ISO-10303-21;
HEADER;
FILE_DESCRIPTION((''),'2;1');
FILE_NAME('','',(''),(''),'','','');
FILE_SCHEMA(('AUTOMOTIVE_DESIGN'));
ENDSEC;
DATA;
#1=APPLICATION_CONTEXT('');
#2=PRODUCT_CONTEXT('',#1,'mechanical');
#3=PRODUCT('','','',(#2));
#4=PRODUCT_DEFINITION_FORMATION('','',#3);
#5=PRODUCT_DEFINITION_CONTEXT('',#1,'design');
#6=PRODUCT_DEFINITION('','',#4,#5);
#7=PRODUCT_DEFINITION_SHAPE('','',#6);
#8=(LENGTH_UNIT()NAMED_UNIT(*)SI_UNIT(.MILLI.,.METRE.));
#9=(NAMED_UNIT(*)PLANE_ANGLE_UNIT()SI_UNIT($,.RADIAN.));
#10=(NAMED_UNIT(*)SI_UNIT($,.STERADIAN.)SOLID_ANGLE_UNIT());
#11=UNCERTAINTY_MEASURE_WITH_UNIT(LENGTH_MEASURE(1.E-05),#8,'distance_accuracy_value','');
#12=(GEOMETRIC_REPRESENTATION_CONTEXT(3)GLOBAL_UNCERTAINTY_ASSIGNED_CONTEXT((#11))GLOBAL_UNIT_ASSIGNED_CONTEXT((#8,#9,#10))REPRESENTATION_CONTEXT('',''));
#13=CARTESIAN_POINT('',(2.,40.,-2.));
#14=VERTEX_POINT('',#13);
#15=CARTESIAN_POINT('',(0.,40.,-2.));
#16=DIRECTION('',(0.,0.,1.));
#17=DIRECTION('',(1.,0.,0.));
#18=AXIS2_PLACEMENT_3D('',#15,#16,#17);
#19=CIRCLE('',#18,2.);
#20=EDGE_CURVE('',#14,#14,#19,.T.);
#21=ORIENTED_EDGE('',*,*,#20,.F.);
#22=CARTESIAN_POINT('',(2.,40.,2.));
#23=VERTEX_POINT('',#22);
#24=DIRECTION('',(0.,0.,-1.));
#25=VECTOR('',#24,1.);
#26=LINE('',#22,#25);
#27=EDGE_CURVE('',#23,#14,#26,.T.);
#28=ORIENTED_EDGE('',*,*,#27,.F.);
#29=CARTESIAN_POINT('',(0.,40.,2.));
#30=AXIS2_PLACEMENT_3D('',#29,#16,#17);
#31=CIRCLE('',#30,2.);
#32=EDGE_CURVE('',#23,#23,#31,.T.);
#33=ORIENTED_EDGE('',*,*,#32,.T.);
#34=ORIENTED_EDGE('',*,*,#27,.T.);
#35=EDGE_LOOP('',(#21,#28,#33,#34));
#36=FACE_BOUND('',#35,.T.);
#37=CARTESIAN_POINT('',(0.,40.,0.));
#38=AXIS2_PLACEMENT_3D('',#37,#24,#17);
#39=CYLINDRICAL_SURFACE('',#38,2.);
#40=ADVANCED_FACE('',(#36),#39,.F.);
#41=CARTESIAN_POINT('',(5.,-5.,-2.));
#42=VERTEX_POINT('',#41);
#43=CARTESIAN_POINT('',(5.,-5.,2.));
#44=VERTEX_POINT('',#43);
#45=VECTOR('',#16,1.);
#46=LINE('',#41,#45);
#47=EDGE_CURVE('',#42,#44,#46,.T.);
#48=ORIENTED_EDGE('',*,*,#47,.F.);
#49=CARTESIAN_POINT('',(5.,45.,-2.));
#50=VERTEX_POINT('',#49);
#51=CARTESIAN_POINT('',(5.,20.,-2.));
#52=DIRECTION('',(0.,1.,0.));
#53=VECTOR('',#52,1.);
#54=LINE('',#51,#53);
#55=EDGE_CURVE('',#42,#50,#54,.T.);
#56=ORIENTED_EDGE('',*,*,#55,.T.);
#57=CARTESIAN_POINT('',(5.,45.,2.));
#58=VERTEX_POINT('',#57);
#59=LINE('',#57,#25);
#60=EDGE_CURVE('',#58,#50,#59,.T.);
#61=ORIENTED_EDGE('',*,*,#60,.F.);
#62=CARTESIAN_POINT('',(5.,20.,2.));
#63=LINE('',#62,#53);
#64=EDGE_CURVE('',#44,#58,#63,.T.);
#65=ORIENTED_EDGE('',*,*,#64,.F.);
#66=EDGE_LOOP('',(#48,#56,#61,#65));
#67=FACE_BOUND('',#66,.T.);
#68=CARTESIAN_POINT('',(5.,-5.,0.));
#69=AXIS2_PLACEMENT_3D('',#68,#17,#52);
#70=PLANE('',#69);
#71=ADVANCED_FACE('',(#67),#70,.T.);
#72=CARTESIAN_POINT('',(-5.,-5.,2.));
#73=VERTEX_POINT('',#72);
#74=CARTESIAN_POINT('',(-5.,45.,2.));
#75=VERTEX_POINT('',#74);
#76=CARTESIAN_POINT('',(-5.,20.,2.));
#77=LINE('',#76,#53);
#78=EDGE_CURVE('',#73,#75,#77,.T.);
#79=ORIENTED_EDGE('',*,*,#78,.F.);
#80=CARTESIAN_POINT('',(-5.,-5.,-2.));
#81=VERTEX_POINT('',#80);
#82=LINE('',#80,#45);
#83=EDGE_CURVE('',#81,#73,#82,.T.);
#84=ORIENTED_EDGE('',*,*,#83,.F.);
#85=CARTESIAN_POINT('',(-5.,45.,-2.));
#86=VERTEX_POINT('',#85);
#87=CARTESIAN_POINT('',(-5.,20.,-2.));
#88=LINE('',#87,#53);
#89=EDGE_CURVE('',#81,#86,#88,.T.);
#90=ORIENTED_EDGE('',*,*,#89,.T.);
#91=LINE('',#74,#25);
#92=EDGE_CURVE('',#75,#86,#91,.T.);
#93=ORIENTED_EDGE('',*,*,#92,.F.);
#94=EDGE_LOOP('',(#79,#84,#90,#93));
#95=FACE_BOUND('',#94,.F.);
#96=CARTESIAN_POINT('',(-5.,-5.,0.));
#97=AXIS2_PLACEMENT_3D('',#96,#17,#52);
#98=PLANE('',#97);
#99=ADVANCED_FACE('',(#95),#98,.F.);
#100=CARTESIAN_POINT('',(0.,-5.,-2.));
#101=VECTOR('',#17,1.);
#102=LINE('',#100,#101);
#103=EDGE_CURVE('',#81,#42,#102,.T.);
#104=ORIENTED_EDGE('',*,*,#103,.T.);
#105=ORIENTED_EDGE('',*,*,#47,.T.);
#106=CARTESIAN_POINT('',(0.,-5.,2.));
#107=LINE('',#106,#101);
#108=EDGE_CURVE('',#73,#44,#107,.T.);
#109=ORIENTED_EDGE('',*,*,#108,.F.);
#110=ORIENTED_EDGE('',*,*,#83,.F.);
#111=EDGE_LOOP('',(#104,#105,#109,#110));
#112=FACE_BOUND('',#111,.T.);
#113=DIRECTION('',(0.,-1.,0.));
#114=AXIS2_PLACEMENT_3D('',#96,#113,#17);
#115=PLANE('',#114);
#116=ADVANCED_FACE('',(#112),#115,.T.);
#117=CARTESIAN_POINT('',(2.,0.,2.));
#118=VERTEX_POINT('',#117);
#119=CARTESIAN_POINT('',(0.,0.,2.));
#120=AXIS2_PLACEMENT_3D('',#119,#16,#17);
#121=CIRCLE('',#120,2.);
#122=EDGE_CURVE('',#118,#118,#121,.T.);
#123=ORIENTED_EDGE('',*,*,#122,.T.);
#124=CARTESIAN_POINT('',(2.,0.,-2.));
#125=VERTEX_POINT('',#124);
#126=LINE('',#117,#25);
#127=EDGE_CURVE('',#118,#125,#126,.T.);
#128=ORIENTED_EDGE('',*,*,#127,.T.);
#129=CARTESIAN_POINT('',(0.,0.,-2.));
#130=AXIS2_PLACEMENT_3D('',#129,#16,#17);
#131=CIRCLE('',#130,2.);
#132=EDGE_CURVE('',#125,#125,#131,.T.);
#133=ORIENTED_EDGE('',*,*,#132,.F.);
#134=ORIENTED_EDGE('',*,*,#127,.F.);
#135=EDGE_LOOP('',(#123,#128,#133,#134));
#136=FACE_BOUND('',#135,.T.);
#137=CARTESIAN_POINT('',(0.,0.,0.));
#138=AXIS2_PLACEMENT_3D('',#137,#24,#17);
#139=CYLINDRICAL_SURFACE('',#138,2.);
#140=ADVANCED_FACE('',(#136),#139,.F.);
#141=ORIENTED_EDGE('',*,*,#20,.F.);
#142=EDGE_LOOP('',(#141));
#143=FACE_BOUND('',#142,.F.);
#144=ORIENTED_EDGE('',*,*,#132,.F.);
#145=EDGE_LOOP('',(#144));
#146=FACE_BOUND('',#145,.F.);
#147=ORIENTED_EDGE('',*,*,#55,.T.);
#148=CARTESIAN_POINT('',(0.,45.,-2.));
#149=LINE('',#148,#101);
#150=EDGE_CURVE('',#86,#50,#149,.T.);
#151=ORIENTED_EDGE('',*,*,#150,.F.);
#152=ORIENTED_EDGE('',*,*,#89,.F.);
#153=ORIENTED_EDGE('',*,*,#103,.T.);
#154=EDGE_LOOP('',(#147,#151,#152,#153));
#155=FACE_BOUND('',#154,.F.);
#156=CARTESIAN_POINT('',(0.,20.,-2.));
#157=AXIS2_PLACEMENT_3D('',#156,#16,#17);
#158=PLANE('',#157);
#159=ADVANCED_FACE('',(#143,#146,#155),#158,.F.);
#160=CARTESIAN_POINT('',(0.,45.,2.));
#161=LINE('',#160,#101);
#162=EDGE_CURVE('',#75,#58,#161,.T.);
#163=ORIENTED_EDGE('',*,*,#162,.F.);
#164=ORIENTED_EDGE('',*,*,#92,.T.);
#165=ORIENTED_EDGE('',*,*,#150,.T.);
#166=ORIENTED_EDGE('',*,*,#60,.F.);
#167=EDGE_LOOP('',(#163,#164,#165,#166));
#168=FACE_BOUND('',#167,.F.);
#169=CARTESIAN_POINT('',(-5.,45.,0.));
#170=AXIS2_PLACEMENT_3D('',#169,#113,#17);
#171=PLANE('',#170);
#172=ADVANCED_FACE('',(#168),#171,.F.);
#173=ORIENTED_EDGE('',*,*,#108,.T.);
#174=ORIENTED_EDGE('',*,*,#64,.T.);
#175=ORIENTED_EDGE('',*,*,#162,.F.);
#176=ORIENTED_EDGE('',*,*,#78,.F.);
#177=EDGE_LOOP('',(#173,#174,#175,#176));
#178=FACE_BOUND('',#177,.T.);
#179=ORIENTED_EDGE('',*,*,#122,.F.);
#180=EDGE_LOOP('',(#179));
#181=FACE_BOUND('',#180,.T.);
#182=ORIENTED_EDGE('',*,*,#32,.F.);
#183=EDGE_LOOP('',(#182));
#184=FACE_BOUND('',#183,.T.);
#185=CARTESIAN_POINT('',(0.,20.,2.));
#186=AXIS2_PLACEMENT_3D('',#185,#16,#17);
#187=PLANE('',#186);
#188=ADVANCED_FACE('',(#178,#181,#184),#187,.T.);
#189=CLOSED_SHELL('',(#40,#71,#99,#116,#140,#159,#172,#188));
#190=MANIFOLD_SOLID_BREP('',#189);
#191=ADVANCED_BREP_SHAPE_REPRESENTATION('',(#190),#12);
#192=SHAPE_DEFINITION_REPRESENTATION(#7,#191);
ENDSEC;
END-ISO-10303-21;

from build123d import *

# Parameters (mm, degrees)
F0_W     = 10
F0_H     = 50
F0_R     = 2
F1_DEPTH = 2


with BuildPart() as f1:
    # F0 (on Top) → F1 (new body, symmetric)
    with BuildSketch(Plane.XY):
        with Locations((0, 20)):
            Rectangle(F0_W, F0_H)
        Circle(F0_R, mode=Mode.SUBTRACT)
        with Locations((0, 40)):
            Circle(F0_R, mode=Mode.SUBTRACT)
    extrude(amount=F1_DEPTH, both=True)


solid = f1.part
